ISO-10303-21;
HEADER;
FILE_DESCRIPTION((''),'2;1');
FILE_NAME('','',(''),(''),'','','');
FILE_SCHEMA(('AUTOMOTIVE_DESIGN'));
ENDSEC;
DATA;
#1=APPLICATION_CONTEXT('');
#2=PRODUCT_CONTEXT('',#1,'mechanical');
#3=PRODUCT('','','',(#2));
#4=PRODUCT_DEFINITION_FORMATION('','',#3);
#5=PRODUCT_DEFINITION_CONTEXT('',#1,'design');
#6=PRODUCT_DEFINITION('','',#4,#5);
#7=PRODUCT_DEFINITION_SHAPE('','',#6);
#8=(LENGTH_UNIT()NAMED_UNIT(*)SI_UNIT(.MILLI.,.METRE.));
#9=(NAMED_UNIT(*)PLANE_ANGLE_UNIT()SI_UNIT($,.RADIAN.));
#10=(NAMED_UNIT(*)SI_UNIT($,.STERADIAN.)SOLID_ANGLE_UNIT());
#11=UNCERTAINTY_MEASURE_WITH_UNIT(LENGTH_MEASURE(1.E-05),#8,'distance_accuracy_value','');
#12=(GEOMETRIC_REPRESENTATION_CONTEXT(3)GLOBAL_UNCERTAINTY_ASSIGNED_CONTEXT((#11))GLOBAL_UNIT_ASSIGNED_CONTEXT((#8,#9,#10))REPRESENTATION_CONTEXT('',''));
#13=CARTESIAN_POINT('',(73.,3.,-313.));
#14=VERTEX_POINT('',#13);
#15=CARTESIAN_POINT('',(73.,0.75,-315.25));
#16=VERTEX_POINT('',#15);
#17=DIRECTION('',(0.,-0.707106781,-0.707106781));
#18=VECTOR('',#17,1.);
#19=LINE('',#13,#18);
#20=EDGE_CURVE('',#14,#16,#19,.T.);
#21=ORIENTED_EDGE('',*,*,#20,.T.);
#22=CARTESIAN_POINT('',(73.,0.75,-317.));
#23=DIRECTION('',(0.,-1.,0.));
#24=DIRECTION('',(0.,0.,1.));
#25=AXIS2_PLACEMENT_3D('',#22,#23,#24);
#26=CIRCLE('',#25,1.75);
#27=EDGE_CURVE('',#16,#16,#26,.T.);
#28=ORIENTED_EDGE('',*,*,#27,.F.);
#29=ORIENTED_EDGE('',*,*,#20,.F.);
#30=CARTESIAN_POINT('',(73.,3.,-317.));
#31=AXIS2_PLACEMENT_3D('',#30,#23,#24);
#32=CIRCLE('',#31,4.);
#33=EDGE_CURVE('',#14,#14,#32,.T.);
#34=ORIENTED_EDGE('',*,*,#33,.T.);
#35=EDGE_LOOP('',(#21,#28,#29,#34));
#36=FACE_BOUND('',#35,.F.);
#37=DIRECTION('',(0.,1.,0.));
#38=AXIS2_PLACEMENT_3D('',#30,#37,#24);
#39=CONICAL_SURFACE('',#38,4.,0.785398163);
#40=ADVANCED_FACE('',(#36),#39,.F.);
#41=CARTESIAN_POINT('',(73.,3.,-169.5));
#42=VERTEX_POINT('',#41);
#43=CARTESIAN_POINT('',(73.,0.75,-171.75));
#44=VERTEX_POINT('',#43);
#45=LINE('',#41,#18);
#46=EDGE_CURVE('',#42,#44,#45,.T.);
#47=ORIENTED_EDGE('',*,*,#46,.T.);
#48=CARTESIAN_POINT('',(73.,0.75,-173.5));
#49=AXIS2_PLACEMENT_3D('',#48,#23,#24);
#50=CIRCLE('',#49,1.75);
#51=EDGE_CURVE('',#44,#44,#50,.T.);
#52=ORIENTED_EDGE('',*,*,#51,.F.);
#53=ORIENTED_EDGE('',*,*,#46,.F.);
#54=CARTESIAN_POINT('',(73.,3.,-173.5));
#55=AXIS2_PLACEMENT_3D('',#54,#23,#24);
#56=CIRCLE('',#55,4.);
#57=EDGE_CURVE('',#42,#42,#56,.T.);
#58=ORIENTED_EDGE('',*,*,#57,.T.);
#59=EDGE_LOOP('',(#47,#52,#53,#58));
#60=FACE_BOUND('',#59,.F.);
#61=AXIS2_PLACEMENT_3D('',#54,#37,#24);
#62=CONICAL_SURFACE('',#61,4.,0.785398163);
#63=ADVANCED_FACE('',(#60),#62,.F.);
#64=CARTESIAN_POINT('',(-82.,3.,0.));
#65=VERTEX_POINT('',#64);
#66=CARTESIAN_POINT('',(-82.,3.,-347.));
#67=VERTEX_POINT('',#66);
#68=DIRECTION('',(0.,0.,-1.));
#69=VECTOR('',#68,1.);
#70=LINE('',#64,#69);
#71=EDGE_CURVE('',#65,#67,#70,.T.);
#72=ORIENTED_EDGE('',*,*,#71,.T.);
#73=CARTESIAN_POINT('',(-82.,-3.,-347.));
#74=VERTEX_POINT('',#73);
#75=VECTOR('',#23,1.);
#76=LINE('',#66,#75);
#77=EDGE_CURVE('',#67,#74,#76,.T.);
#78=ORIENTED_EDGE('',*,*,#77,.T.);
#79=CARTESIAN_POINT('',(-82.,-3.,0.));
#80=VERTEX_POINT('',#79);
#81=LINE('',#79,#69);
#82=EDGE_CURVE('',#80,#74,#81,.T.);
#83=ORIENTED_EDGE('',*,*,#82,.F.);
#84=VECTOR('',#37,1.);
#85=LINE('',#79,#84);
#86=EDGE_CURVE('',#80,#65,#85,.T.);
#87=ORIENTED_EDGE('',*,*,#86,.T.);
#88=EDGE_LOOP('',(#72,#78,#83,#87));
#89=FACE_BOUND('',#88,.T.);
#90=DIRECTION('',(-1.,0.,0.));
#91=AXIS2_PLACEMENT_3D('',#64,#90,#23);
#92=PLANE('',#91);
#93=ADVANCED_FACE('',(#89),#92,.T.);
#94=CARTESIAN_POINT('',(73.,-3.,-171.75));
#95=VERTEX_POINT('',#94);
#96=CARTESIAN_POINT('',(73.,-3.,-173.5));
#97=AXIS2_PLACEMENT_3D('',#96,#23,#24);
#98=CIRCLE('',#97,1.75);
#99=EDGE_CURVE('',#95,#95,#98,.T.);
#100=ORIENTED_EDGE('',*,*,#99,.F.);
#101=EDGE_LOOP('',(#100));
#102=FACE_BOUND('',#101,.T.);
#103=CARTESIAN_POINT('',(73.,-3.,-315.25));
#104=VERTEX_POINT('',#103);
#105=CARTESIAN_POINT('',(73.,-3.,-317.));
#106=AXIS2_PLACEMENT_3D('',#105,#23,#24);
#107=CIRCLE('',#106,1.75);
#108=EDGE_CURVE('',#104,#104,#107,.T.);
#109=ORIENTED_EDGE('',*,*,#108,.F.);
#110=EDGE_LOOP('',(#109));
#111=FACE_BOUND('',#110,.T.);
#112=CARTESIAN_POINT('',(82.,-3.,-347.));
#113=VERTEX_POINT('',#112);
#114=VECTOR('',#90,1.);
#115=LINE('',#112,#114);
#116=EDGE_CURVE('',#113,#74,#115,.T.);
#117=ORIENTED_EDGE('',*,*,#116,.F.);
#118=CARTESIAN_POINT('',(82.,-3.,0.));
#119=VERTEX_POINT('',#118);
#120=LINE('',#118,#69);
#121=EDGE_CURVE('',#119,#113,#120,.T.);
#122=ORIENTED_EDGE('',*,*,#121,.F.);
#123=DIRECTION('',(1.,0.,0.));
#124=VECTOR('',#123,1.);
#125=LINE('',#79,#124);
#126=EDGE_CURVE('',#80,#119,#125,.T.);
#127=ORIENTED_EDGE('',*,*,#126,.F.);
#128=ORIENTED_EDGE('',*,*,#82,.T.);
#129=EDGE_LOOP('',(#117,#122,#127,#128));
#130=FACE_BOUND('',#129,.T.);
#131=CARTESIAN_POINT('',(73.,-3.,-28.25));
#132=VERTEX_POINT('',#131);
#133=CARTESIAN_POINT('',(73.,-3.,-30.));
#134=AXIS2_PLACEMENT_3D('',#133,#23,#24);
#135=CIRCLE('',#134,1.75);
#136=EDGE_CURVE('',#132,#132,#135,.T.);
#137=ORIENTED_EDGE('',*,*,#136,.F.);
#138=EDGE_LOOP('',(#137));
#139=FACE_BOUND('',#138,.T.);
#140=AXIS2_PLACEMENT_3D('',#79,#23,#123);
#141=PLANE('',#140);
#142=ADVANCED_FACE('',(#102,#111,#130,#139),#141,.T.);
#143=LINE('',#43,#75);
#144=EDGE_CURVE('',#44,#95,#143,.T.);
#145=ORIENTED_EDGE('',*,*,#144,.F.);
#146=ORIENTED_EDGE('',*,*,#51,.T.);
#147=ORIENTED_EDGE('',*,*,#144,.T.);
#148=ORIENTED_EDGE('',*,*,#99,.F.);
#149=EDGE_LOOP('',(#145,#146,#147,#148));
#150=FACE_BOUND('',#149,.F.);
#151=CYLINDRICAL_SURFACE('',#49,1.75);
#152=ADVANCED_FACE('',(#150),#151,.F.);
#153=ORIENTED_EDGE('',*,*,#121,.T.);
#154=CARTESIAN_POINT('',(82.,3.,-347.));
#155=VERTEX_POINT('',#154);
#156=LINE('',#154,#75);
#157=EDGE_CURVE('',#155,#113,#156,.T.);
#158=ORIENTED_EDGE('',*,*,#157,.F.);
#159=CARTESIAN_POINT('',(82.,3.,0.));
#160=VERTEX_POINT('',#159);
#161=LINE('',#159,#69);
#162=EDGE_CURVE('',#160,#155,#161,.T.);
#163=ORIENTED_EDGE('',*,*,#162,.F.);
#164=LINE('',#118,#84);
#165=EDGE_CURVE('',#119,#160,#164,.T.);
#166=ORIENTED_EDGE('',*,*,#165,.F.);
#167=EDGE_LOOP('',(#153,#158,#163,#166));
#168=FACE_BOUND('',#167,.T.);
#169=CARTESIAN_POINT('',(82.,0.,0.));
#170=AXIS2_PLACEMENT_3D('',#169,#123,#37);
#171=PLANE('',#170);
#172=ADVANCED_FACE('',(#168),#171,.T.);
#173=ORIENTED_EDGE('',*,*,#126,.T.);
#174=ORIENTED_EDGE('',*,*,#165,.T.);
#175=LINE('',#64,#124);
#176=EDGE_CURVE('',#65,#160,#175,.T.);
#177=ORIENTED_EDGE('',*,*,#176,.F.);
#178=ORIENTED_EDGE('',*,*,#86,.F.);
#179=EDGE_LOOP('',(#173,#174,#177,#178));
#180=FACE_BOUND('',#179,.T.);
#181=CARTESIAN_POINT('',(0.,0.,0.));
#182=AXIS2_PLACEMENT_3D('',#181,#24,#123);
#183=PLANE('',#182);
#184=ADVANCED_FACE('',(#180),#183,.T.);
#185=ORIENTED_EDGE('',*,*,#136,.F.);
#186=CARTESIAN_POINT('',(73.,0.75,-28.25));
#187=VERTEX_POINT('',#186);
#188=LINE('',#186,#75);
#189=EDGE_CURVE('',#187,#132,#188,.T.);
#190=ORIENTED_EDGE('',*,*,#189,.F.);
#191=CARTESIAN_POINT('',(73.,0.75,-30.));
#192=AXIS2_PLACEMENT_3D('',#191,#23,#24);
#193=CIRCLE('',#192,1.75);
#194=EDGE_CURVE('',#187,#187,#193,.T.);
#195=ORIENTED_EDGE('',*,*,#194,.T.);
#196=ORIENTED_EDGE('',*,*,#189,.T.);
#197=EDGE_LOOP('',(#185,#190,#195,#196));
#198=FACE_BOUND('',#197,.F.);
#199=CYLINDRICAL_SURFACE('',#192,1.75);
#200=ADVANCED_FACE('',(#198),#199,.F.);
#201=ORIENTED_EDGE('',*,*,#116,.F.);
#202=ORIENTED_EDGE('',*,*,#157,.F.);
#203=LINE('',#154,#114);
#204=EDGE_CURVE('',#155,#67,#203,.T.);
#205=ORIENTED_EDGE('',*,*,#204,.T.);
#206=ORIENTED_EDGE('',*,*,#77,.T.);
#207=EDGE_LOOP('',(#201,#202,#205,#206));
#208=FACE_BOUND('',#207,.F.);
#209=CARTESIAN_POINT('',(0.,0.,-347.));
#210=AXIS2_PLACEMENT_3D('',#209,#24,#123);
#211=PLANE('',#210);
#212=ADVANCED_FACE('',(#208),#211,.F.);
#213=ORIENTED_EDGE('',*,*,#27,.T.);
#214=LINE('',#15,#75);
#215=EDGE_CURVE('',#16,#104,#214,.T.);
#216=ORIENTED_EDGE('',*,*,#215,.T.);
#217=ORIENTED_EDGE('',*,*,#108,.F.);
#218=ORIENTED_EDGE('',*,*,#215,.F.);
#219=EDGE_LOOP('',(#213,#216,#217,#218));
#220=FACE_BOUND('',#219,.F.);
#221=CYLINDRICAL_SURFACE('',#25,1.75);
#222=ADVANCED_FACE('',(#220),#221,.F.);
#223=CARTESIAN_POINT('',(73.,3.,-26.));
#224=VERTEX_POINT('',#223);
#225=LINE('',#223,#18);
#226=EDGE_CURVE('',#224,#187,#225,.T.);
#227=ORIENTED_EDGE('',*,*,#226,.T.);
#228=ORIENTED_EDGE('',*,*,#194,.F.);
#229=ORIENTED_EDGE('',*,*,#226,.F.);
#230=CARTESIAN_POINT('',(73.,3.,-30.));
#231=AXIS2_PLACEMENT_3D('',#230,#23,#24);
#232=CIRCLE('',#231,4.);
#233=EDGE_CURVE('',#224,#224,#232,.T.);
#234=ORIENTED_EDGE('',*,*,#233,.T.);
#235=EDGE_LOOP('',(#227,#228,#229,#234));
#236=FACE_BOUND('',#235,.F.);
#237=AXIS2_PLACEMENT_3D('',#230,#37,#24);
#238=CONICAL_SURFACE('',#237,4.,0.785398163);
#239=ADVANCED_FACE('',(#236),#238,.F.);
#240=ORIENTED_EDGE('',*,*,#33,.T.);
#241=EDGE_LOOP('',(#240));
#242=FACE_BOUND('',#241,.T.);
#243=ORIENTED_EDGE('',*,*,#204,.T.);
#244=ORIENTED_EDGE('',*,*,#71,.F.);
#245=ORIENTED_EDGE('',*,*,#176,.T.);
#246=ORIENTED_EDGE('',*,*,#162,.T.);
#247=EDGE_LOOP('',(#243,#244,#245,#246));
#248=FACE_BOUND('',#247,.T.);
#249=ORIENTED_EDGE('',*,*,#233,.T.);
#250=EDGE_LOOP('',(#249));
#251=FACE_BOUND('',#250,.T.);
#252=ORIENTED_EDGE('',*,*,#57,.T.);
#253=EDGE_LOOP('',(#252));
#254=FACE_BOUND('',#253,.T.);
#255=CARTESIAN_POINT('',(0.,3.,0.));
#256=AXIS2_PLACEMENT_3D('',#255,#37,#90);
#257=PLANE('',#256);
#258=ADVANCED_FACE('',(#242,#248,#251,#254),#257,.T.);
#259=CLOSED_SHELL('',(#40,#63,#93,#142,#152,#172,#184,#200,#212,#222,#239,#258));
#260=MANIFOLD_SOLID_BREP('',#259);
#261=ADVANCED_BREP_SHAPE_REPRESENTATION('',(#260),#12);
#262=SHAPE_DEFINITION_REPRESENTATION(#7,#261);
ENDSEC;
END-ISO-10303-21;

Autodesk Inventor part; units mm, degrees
ref_plane "YZ Plane" through (0, 0, 0) normal (1, 0, 0) x (0, 1, 0)
ref_plane "XZ Plane" through (0, 0, 0) normal (0, 1, 0) x (-1, 0, 0)
ref_plane "XY Plane" through (0, 0, 0) normal (0, 0, 1) x (1, 0, 0)
sketch "Skizze1" plane through (0, 0, 0) normal (0, 0, 1) x (1, 0, 0)
  line L0 (-114.8, 0) -> (114.8, 0) projected
  line L1 (0, -4.2) -> (0, 4.2) projected
  line L2 (-82, -3) -> (82, -3)
  line L3 (82, -3) -> (82, 3)
  line L4 (82, 3) -> (-82, 3)
  line L5 (-82, 3) -> (-82, -3)
  line L6 (-82, -3) -> (82, 3) construction
  line L7 (82, -3) -> (-82, 3) construction
  point P0 (0, 0)
  dimension "d0" = 164
  dimension "d1" = 6
extrude "Extrusion1" add sketch "Skizze1" against normal blind 347
sketch "Skizze2" plane through (-82, 3, 0) normal (0, 1, 0) x (1, 0, 0)
  line L0 (164, 0) -> (0, 0) projected
  line L1 (164, 0) -> (164, 347) projected
  line L2 (0, 347) -> (164, 347) projected
  line L3 (0, 0) -> (0, 347) projected
  line L4 (-33, 0) -> (198, 0) projected
  line L5 (82, 416.4) -> (82, -69.4) projected
  point P0 (82, 0)
  point P1 (155, 30)
  point P2 (155, 173.5)
  point P3 (155, 317)
  dimension "d4" = 30
  dimension "d5" = 30
  dimension "d6" = 173.5
  dimension "d7" = 9
  dimension "d8" = 9
  dimension "d9" = 9
hole "Bohrung1" at (73, 3, -30) at (73, 3, -173.5) at (73, 3, -317) direction (0, -1, 0) diameter 3.5 depth 17 tip angle 118 countersink diameter 8 countersink angle 90
properties part number "I Seitenwand" material "PVC-Piping"
